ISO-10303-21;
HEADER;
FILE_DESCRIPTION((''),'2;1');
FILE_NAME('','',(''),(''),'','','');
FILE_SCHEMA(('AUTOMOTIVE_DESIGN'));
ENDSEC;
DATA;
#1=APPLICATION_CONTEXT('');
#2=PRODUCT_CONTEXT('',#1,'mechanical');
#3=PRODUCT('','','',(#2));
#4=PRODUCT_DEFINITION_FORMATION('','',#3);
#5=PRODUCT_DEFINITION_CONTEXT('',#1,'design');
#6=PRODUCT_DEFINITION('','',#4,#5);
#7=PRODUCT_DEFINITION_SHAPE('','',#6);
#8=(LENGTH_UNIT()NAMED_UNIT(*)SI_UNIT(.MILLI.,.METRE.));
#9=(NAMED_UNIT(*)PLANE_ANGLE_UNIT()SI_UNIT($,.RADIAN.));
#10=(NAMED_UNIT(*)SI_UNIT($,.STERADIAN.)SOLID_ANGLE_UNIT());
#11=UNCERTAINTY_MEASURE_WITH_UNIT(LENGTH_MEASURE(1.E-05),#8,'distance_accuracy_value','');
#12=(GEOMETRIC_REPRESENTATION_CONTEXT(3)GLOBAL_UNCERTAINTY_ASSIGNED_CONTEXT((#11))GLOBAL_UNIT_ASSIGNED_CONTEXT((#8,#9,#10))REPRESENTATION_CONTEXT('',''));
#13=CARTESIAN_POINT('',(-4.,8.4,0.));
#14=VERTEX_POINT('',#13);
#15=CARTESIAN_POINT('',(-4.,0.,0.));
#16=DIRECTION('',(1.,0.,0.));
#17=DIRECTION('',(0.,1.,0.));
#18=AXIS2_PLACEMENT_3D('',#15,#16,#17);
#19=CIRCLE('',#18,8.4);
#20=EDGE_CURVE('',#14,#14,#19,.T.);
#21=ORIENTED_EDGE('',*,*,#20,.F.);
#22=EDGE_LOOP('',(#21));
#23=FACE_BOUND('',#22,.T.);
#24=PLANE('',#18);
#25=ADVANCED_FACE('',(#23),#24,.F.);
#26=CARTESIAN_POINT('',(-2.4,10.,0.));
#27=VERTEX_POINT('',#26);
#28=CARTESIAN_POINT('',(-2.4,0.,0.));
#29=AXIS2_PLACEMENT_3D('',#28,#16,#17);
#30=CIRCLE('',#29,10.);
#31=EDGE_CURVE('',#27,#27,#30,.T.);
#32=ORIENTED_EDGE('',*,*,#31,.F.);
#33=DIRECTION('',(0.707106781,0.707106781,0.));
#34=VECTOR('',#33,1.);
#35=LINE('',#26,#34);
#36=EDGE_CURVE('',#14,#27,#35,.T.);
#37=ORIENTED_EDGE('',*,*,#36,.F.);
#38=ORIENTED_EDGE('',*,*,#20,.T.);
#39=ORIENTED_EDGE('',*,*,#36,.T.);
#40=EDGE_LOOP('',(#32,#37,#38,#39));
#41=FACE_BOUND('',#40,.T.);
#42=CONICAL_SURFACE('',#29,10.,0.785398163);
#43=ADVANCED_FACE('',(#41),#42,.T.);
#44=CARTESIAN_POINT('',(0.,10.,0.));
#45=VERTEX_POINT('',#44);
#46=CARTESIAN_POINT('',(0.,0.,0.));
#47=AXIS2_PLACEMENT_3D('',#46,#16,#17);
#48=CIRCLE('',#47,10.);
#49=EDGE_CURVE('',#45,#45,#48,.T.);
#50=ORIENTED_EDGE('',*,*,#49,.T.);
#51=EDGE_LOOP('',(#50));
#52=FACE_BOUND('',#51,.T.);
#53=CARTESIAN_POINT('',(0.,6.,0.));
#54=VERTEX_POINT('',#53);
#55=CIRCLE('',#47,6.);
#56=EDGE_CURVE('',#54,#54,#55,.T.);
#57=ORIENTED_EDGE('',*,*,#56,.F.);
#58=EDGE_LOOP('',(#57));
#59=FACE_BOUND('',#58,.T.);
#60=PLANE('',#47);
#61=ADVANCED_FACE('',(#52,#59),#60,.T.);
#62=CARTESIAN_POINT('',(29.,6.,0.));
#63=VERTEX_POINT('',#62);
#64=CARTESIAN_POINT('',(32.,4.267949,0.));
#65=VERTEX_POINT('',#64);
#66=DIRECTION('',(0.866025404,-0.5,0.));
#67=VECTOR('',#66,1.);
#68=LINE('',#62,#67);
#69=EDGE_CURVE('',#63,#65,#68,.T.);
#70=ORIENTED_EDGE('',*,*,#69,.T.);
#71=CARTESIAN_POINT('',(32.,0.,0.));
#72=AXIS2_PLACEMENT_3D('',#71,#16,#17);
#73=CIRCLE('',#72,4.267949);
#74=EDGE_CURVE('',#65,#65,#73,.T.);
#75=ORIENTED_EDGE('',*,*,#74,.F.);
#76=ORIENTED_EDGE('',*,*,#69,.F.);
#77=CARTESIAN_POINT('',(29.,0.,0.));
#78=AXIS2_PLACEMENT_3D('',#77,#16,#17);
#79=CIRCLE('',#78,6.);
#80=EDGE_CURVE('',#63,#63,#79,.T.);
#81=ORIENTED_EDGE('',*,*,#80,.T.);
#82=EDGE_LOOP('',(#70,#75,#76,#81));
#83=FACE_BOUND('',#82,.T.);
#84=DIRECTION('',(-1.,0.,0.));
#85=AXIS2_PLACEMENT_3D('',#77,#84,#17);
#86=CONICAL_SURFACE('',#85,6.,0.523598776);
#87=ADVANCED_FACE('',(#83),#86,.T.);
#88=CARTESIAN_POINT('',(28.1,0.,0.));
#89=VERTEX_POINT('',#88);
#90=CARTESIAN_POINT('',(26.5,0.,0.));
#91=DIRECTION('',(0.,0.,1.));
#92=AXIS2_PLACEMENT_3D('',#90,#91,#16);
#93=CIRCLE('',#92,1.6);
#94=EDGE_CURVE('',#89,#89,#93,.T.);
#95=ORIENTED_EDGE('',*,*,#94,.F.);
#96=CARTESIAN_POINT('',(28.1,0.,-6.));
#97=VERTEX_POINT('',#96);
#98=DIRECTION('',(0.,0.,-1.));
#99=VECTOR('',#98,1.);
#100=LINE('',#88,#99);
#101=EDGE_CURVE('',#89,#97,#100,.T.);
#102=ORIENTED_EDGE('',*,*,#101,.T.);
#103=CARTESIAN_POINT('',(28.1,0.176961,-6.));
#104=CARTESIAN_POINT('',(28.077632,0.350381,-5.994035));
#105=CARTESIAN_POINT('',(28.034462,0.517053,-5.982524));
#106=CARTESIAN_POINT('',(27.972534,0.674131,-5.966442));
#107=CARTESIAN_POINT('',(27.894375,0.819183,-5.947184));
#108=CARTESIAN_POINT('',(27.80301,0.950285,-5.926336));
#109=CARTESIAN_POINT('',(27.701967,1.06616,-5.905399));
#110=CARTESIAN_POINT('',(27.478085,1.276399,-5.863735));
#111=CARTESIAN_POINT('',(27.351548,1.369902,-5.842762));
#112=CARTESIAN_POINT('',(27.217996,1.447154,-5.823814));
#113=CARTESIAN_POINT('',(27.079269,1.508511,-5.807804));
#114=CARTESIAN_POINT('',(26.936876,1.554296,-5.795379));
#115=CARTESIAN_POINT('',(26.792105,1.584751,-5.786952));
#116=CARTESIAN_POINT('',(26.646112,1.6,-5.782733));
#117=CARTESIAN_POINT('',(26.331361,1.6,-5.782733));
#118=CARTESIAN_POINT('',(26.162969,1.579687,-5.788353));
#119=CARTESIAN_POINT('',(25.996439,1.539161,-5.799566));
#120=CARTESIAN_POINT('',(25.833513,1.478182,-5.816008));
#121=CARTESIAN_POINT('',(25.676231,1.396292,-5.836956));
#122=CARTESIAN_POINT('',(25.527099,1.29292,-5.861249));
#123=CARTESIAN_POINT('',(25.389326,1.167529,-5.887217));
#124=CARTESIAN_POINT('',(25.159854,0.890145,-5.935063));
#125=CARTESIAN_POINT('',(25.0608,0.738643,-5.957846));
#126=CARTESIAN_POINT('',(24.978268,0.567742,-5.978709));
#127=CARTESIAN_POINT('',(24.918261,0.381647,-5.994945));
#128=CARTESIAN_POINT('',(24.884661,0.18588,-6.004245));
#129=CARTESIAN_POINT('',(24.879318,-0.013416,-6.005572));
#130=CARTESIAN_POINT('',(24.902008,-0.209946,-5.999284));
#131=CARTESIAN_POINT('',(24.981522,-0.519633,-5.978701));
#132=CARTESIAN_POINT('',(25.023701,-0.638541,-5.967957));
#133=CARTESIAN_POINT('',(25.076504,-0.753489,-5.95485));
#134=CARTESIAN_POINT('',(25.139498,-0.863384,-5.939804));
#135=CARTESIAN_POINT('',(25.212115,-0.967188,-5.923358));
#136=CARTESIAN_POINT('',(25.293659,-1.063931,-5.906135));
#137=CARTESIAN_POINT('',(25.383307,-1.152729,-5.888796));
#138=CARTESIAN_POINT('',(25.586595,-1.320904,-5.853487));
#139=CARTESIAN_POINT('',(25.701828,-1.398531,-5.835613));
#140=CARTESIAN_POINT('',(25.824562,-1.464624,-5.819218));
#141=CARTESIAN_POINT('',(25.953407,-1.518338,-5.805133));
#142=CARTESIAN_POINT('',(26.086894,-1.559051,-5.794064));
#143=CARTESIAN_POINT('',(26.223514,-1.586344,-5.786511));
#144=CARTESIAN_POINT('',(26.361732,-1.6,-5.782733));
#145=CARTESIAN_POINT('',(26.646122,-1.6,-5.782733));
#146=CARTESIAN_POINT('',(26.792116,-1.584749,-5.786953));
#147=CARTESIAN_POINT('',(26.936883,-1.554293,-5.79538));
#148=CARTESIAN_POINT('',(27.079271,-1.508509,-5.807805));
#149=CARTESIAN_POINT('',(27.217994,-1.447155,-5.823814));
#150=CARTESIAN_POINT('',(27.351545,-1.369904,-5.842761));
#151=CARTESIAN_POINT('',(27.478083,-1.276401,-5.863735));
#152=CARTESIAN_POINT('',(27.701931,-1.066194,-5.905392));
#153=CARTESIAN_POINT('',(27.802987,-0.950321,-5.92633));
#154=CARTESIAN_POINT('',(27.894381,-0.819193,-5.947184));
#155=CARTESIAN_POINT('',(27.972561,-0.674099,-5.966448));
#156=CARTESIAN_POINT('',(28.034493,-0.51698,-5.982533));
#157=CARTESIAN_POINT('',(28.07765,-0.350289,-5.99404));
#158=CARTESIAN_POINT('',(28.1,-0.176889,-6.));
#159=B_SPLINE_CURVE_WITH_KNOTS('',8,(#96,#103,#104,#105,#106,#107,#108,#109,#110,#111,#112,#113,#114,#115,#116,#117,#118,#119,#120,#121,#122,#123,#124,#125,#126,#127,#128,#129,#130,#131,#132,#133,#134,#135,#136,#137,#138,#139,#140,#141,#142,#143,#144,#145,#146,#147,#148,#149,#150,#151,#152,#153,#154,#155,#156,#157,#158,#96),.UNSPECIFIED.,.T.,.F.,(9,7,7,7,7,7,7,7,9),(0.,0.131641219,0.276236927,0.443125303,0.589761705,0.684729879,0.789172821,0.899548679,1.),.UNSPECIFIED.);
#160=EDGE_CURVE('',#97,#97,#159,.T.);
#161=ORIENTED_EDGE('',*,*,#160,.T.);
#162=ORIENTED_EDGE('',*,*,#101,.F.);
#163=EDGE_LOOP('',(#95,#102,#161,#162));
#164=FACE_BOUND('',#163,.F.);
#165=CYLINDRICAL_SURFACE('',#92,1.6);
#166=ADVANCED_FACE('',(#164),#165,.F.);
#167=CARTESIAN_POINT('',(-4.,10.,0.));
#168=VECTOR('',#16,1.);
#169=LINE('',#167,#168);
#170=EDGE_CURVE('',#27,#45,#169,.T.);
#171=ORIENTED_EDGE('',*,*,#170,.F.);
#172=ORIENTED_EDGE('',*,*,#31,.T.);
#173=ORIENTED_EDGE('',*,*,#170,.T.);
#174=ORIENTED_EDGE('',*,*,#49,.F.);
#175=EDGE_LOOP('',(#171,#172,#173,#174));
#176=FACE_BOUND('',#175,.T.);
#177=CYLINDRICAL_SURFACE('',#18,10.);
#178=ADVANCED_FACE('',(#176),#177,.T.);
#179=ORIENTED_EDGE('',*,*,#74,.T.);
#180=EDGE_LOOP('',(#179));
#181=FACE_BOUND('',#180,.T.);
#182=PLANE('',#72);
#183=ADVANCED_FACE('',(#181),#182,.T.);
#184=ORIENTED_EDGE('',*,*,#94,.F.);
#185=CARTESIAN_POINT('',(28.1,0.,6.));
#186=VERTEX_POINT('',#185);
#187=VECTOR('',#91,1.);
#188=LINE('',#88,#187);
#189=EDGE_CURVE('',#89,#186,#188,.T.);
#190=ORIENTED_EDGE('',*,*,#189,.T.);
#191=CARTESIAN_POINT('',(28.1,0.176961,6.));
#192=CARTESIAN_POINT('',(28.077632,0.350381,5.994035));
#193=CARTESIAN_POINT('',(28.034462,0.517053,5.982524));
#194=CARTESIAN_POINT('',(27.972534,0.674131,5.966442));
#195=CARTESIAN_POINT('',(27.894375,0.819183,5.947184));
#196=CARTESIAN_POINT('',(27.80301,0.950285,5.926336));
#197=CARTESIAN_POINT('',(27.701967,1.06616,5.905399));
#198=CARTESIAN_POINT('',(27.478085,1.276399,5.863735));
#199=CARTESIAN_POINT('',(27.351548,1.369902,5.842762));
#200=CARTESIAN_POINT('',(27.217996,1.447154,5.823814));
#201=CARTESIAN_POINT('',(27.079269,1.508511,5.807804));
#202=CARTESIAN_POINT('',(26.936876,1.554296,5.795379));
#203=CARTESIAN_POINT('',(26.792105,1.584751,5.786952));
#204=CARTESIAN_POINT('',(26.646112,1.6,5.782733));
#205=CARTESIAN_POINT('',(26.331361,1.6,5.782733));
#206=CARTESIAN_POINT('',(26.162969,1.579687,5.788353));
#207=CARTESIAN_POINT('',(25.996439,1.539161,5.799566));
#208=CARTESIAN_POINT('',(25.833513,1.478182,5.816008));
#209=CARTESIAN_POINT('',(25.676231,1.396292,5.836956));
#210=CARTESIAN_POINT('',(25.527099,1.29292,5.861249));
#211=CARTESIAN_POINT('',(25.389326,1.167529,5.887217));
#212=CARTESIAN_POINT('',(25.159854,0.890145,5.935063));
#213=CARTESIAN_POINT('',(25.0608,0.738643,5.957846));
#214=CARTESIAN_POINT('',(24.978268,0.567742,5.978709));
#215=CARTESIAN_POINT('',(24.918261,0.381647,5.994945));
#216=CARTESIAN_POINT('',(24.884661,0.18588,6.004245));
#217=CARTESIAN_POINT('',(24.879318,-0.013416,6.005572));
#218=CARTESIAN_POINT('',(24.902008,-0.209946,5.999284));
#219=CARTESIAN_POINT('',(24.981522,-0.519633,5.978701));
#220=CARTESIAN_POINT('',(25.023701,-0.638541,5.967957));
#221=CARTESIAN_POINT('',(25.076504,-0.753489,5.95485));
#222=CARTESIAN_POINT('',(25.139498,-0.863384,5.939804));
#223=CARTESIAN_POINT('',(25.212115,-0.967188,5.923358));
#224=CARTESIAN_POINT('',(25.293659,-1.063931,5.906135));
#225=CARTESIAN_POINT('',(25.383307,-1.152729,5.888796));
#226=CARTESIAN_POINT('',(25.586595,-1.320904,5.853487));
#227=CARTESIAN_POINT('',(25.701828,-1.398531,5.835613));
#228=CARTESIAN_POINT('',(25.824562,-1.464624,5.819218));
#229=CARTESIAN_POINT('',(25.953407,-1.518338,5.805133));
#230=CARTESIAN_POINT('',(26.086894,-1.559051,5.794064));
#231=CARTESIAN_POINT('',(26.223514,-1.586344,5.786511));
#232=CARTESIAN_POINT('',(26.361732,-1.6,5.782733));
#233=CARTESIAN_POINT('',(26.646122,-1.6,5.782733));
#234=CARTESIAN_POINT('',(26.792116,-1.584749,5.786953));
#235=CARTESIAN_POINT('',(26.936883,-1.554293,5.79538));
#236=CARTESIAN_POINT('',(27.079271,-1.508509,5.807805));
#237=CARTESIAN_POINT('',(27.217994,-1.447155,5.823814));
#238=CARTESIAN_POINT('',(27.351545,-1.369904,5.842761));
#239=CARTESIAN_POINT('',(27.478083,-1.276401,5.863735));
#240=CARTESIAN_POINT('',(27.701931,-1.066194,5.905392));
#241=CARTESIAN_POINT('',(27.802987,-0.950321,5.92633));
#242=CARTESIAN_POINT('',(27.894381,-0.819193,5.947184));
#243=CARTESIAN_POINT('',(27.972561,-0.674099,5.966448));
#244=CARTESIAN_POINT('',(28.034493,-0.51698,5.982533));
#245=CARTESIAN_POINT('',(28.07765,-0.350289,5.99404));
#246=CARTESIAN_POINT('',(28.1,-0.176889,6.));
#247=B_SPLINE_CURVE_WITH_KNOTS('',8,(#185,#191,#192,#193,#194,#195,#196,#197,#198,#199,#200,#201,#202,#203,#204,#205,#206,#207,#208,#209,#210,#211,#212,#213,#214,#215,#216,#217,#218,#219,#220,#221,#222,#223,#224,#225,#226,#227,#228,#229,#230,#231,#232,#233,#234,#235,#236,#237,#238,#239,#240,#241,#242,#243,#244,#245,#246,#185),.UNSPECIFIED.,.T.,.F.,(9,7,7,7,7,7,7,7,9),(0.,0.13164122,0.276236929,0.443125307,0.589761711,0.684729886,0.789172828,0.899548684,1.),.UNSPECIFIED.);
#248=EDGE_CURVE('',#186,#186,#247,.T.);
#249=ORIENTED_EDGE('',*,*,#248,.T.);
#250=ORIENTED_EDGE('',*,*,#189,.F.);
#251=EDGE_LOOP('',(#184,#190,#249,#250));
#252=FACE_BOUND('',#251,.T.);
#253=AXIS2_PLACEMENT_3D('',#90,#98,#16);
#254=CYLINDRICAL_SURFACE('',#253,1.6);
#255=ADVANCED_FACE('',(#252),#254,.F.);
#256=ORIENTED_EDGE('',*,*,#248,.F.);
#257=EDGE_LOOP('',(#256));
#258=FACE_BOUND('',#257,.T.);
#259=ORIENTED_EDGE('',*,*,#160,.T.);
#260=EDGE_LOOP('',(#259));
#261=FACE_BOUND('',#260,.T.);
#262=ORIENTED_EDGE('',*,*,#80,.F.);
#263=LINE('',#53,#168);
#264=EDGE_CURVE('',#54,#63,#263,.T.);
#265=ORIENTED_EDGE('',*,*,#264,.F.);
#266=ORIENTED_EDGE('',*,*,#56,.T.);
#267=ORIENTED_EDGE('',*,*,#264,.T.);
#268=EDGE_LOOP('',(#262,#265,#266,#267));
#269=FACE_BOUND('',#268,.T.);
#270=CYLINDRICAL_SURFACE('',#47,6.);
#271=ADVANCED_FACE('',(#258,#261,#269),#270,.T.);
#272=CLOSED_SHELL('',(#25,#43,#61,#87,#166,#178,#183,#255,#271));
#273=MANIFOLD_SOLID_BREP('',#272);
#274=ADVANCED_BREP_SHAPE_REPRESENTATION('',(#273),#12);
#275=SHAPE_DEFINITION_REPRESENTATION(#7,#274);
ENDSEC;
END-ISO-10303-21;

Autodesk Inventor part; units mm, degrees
ref_plane "YZ Plane" through (0, 0, 0) normal (1, 0, 0) x (0, 1, 0)
ref_plane "XZ Plane" through (0, 0, 0) normal (0, 1, 0) x (-1, 0, 0)
sketch "Skizze1" plane through (0, 0, 0) normal (0, 0, 1) x (1, 0, 0)
  line L0 (-4, 0) -> (-4, 10)
  line L1 (-4, 10) -> (0, 10)
  line L2 (0, 10) -> (0, 6)
  line L3 (0, 6) -> (32, 6)
  line L4 (32, 6) -> (32, 0)
  line L5 (-4, 0) -> (32, 0)
  line L6 (-4, 0) -> (17, 0) projected
  line L7 (0, -0.98) -> (0, 3.08) projected
  circle A0 centre (26.5, 0) radius 1.6
  dimension "d0" = 12
  dimension "d1" = 20
  dimension "d2" = 4
  dimension "d3" = 32
  dimension "d5" = 5.5
  dimension "d6" = 3.2
revolve "Körper" add sketch "Skizze1" angle 360 about axis through (-4, 0, 0) along (1, 0, 0) picked at (26.9216, 0.9202) contours L0 L1 L2 L3 L4 L5 A0 | A0 L5
extrude "Bohrung" cut sketch "Skizze1" along normal through all both and the other way through all contours A0 L5 | L5 A0
chamfer "Fase1" distance 1.6 angle 45 1 edges at (-4, -10, 0) measured on face at (-2.6667, 9.9676, -0.8047)
chamfer "Fase2" distance 3 angle 30 1 edges at (32, -6, 0) measured on face at (19.4513, 2.8362, 5.2873)
ref_plane "Work Plane1" through (16, 0, 6) normal (0, 0, 1) x (1, 0, 0)
equation "\"d0\" = NND"
equation "\"d1\" = KOD"
equation "\"d2\" = KOH"
equation "\"d3\" = NLG"
equation "\"d5\" = DIST"
equation "\"d6\" = BOR"
equation "\"d7\" = NND"
equation "\"d9\" = PHH2"
equation "\"d10\" = FAWI2"
equation "\"d16\" = PHH2"
equation "\"d11\" = PHH1"
equation "\"d12\" = FAWI1"
equation "\"d17\" = PHH1"
equation "\"PHH1\" = 3"
equation "\"PHH2\" = 1.6"
equation "\"KOD\" = 20"
equation "\"KOH\" = 4"
equation "\"NND\" = 12"
equation "\"FAWI1\" = 30deg"
equation "\"FAWI2\" = 45deg"
equation "\"DIST\" = 5.5"
equation "\"BOR\" = 3.2"
equation "\"NLG\" = 32"
properties part number "IS 6863 - B12 x 32" material "Stahl, weich"
